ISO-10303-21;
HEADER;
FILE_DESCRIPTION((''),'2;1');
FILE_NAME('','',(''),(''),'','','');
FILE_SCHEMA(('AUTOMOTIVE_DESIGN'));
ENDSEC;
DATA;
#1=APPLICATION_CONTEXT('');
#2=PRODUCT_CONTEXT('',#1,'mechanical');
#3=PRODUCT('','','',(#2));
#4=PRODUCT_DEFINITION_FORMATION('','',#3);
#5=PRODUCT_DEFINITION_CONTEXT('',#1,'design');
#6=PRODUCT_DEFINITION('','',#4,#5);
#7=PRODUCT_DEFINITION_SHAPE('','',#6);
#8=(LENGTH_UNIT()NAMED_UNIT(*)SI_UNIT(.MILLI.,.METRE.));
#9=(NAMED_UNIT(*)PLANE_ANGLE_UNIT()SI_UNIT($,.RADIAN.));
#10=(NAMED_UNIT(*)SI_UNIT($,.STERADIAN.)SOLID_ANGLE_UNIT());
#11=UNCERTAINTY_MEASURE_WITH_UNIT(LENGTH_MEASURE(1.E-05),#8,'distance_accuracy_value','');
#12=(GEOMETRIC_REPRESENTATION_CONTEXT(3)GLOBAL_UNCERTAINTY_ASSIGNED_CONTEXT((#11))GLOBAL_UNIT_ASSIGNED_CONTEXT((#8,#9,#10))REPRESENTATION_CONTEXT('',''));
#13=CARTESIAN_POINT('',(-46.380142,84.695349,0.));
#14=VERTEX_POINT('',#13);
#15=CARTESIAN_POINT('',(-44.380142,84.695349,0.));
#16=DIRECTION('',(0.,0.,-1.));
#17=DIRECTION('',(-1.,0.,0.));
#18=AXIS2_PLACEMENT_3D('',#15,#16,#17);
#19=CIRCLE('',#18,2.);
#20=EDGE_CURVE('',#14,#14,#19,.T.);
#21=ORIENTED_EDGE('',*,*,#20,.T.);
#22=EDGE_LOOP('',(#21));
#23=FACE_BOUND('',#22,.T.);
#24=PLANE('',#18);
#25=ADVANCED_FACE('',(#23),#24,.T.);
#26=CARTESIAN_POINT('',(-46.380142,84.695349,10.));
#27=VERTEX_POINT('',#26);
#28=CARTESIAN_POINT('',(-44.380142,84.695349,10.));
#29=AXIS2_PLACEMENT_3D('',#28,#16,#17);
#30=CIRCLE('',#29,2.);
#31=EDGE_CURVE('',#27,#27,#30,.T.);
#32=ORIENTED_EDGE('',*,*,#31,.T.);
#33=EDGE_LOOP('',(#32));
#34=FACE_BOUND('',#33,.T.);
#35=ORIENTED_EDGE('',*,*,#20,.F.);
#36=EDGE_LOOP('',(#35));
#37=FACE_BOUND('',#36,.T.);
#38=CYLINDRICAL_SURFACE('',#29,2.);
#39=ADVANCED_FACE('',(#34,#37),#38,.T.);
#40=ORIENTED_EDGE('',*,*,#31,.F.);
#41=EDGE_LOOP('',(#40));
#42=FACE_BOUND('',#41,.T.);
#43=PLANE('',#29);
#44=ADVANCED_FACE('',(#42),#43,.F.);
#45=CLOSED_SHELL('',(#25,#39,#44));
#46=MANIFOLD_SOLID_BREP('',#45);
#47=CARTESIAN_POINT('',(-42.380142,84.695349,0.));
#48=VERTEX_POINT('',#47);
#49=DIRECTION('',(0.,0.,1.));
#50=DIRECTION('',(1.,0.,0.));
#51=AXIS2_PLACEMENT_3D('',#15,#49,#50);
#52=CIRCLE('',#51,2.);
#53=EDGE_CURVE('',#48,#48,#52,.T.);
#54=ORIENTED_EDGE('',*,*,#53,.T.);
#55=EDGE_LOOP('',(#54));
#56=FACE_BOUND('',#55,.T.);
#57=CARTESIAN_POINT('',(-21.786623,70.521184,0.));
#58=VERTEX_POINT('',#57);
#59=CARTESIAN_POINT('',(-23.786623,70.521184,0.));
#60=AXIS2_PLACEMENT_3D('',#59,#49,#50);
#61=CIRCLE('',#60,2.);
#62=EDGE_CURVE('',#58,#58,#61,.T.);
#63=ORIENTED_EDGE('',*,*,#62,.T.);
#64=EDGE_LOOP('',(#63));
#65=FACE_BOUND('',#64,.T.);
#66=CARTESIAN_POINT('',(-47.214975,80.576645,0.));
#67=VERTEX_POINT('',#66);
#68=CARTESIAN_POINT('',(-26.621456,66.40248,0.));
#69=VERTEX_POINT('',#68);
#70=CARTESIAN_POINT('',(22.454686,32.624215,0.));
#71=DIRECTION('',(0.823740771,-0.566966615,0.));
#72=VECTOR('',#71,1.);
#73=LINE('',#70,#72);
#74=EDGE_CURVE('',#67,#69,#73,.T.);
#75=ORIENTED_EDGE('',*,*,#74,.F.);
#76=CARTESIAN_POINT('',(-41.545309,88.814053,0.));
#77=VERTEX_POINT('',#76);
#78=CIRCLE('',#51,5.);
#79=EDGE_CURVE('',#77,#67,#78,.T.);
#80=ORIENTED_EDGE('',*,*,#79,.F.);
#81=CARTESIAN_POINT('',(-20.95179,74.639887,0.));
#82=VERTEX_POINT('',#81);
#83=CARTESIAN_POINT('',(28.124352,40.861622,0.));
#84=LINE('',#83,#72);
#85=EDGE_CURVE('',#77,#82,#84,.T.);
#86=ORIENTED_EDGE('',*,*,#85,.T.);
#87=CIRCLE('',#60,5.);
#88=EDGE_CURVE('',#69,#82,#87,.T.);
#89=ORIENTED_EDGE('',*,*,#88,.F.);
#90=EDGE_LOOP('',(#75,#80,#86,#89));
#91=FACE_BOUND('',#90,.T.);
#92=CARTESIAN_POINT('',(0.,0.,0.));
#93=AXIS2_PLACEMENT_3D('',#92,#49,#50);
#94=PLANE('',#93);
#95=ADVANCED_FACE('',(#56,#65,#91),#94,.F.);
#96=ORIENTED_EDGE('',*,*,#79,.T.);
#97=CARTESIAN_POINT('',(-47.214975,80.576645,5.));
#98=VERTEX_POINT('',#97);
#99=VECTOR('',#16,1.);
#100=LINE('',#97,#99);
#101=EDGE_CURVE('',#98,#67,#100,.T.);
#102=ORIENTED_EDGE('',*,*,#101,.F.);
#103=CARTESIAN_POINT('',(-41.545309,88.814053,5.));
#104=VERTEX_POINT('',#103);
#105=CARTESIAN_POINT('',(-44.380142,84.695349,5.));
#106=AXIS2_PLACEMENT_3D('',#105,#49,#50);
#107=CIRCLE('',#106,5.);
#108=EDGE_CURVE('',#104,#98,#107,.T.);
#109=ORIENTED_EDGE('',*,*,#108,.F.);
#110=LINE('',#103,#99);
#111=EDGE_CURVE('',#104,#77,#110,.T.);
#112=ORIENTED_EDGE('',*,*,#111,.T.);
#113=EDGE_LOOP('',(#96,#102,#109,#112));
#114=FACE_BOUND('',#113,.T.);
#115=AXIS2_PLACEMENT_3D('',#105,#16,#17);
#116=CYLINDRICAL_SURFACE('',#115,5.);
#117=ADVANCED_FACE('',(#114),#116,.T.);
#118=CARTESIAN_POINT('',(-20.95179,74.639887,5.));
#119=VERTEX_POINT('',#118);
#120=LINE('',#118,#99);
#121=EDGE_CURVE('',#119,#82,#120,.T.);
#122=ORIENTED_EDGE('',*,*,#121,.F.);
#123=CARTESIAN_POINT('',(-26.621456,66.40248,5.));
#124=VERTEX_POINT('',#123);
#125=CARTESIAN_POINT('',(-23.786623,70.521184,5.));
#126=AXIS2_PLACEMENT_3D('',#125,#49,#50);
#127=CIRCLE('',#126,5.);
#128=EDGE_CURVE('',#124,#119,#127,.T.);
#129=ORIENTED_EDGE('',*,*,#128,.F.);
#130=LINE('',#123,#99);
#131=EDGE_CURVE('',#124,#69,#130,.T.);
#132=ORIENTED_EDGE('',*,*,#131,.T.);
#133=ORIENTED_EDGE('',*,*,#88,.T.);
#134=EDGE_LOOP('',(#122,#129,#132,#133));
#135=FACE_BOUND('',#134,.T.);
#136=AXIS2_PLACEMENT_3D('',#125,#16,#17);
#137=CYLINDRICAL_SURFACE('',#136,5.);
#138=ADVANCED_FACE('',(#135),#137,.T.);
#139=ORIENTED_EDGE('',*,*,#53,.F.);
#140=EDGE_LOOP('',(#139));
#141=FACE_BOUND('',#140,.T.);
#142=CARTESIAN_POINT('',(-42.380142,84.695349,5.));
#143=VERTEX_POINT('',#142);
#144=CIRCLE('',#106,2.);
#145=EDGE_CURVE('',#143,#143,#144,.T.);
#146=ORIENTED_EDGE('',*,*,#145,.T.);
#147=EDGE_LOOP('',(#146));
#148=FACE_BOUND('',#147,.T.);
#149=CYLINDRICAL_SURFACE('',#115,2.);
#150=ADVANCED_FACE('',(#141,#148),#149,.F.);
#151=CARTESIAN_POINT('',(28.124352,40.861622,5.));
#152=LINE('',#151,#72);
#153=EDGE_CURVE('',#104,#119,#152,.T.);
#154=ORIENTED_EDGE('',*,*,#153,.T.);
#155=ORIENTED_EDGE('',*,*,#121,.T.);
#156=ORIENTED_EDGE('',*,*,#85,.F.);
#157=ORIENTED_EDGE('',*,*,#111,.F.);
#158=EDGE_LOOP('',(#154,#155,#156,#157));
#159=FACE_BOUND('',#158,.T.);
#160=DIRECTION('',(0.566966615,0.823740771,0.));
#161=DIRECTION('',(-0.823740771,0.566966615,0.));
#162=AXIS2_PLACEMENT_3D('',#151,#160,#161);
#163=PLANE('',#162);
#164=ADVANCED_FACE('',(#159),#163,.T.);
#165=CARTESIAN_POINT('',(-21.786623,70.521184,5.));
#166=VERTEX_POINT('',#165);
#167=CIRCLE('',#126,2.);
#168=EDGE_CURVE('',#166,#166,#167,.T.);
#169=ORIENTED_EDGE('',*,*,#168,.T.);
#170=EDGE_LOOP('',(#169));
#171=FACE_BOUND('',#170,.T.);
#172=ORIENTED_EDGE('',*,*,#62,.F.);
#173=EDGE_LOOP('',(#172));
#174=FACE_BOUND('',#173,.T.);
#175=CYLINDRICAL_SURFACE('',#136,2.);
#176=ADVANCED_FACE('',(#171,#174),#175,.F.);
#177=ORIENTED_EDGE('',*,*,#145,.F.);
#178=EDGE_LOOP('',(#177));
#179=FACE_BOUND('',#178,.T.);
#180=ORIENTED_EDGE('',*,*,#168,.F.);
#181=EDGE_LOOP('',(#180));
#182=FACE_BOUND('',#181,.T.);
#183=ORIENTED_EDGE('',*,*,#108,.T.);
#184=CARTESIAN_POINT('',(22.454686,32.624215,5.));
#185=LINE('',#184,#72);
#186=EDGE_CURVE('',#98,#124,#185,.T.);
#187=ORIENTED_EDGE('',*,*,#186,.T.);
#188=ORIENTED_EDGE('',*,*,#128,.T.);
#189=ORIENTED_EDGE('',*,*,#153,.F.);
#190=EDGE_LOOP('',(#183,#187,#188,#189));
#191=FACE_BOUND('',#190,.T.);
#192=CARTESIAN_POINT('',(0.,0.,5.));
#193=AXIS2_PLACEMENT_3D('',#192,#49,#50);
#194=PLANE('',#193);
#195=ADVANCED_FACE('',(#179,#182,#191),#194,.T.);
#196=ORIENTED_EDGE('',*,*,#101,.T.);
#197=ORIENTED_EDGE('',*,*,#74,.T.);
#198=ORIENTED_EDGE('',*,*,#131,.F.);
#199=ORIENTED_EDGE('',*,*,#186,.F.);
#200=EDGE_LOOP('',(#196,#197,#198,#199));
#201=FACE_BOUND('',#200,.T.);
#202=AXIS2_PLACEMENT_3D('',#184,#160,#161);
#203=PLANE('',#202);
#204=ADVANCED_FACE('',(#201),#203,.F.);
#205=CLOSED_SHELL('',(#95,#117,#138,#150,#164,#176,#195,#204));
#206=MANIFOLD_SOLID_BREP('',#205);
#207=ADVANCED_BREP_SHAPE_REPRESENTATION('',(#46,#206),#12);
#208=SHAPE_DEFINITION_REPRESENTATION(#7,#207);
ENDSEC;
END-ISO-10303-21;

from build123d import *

# Parameters (mm, degrees)
SKETCH1_R           = 2
BOSS_EXTRUDE1_DEPTH = 5
SKETCH2_R           = 2
BOSS_EXTRUDE2_DEPTH = 10


with BuildPart() as part:
    # Sketch1 → Boss-Extrude1 (new body)
    with BuildSketch(Plane(origin=(0, 0, 0), x_dir=(0.999757303, -0.022030336, 0), z_dir=(0, 0, 1))):
        with BuildLine():
            Line((-43.491829272, 87.877240738), (-22.59104637, 74.16019754))
            ThreePointArc((-22.59104637, 74.16019754), (-21.15429843, 67.23663232), (-28.077863649, 65.799884379))
            Line((-28.077863649, 65.799884379), (-48.978646551, 79.516927577))
            ThreePointArc((-48.978646551, 79.516927577), (-50.415394492, 86.440492797), (-43.491829272, 87.877240738))
        make_face()
        with Locations((-25.33445501, 69.980040959)):
            Circle(SKETCH1_R, mode=Mode.SUBTRACT)
        with Locations((-46.235237911, 83.697084158)):
            Circle(SKETCH1_R, mode=Mode.SUBTRACT)
    extrude(amount=BOSS_EXTRUDE1_DEPTH)


with BuildPart() as body_2:
    # Sketch2 → Boss-Extrude2 (new body)
    with BuildSketch(Plane(origin=(0, 0, 0), x_dir=(-1, 0, 0), z_dir=(0, 0, -1))):
        with Locations((44.380141864, 84.695348924)):
            Circle(SKETCH2_R)
    extrude(amount=-BOSS_EXTRUDE2_DEPTH)


solid = Compound([part.part, body_2.part])
